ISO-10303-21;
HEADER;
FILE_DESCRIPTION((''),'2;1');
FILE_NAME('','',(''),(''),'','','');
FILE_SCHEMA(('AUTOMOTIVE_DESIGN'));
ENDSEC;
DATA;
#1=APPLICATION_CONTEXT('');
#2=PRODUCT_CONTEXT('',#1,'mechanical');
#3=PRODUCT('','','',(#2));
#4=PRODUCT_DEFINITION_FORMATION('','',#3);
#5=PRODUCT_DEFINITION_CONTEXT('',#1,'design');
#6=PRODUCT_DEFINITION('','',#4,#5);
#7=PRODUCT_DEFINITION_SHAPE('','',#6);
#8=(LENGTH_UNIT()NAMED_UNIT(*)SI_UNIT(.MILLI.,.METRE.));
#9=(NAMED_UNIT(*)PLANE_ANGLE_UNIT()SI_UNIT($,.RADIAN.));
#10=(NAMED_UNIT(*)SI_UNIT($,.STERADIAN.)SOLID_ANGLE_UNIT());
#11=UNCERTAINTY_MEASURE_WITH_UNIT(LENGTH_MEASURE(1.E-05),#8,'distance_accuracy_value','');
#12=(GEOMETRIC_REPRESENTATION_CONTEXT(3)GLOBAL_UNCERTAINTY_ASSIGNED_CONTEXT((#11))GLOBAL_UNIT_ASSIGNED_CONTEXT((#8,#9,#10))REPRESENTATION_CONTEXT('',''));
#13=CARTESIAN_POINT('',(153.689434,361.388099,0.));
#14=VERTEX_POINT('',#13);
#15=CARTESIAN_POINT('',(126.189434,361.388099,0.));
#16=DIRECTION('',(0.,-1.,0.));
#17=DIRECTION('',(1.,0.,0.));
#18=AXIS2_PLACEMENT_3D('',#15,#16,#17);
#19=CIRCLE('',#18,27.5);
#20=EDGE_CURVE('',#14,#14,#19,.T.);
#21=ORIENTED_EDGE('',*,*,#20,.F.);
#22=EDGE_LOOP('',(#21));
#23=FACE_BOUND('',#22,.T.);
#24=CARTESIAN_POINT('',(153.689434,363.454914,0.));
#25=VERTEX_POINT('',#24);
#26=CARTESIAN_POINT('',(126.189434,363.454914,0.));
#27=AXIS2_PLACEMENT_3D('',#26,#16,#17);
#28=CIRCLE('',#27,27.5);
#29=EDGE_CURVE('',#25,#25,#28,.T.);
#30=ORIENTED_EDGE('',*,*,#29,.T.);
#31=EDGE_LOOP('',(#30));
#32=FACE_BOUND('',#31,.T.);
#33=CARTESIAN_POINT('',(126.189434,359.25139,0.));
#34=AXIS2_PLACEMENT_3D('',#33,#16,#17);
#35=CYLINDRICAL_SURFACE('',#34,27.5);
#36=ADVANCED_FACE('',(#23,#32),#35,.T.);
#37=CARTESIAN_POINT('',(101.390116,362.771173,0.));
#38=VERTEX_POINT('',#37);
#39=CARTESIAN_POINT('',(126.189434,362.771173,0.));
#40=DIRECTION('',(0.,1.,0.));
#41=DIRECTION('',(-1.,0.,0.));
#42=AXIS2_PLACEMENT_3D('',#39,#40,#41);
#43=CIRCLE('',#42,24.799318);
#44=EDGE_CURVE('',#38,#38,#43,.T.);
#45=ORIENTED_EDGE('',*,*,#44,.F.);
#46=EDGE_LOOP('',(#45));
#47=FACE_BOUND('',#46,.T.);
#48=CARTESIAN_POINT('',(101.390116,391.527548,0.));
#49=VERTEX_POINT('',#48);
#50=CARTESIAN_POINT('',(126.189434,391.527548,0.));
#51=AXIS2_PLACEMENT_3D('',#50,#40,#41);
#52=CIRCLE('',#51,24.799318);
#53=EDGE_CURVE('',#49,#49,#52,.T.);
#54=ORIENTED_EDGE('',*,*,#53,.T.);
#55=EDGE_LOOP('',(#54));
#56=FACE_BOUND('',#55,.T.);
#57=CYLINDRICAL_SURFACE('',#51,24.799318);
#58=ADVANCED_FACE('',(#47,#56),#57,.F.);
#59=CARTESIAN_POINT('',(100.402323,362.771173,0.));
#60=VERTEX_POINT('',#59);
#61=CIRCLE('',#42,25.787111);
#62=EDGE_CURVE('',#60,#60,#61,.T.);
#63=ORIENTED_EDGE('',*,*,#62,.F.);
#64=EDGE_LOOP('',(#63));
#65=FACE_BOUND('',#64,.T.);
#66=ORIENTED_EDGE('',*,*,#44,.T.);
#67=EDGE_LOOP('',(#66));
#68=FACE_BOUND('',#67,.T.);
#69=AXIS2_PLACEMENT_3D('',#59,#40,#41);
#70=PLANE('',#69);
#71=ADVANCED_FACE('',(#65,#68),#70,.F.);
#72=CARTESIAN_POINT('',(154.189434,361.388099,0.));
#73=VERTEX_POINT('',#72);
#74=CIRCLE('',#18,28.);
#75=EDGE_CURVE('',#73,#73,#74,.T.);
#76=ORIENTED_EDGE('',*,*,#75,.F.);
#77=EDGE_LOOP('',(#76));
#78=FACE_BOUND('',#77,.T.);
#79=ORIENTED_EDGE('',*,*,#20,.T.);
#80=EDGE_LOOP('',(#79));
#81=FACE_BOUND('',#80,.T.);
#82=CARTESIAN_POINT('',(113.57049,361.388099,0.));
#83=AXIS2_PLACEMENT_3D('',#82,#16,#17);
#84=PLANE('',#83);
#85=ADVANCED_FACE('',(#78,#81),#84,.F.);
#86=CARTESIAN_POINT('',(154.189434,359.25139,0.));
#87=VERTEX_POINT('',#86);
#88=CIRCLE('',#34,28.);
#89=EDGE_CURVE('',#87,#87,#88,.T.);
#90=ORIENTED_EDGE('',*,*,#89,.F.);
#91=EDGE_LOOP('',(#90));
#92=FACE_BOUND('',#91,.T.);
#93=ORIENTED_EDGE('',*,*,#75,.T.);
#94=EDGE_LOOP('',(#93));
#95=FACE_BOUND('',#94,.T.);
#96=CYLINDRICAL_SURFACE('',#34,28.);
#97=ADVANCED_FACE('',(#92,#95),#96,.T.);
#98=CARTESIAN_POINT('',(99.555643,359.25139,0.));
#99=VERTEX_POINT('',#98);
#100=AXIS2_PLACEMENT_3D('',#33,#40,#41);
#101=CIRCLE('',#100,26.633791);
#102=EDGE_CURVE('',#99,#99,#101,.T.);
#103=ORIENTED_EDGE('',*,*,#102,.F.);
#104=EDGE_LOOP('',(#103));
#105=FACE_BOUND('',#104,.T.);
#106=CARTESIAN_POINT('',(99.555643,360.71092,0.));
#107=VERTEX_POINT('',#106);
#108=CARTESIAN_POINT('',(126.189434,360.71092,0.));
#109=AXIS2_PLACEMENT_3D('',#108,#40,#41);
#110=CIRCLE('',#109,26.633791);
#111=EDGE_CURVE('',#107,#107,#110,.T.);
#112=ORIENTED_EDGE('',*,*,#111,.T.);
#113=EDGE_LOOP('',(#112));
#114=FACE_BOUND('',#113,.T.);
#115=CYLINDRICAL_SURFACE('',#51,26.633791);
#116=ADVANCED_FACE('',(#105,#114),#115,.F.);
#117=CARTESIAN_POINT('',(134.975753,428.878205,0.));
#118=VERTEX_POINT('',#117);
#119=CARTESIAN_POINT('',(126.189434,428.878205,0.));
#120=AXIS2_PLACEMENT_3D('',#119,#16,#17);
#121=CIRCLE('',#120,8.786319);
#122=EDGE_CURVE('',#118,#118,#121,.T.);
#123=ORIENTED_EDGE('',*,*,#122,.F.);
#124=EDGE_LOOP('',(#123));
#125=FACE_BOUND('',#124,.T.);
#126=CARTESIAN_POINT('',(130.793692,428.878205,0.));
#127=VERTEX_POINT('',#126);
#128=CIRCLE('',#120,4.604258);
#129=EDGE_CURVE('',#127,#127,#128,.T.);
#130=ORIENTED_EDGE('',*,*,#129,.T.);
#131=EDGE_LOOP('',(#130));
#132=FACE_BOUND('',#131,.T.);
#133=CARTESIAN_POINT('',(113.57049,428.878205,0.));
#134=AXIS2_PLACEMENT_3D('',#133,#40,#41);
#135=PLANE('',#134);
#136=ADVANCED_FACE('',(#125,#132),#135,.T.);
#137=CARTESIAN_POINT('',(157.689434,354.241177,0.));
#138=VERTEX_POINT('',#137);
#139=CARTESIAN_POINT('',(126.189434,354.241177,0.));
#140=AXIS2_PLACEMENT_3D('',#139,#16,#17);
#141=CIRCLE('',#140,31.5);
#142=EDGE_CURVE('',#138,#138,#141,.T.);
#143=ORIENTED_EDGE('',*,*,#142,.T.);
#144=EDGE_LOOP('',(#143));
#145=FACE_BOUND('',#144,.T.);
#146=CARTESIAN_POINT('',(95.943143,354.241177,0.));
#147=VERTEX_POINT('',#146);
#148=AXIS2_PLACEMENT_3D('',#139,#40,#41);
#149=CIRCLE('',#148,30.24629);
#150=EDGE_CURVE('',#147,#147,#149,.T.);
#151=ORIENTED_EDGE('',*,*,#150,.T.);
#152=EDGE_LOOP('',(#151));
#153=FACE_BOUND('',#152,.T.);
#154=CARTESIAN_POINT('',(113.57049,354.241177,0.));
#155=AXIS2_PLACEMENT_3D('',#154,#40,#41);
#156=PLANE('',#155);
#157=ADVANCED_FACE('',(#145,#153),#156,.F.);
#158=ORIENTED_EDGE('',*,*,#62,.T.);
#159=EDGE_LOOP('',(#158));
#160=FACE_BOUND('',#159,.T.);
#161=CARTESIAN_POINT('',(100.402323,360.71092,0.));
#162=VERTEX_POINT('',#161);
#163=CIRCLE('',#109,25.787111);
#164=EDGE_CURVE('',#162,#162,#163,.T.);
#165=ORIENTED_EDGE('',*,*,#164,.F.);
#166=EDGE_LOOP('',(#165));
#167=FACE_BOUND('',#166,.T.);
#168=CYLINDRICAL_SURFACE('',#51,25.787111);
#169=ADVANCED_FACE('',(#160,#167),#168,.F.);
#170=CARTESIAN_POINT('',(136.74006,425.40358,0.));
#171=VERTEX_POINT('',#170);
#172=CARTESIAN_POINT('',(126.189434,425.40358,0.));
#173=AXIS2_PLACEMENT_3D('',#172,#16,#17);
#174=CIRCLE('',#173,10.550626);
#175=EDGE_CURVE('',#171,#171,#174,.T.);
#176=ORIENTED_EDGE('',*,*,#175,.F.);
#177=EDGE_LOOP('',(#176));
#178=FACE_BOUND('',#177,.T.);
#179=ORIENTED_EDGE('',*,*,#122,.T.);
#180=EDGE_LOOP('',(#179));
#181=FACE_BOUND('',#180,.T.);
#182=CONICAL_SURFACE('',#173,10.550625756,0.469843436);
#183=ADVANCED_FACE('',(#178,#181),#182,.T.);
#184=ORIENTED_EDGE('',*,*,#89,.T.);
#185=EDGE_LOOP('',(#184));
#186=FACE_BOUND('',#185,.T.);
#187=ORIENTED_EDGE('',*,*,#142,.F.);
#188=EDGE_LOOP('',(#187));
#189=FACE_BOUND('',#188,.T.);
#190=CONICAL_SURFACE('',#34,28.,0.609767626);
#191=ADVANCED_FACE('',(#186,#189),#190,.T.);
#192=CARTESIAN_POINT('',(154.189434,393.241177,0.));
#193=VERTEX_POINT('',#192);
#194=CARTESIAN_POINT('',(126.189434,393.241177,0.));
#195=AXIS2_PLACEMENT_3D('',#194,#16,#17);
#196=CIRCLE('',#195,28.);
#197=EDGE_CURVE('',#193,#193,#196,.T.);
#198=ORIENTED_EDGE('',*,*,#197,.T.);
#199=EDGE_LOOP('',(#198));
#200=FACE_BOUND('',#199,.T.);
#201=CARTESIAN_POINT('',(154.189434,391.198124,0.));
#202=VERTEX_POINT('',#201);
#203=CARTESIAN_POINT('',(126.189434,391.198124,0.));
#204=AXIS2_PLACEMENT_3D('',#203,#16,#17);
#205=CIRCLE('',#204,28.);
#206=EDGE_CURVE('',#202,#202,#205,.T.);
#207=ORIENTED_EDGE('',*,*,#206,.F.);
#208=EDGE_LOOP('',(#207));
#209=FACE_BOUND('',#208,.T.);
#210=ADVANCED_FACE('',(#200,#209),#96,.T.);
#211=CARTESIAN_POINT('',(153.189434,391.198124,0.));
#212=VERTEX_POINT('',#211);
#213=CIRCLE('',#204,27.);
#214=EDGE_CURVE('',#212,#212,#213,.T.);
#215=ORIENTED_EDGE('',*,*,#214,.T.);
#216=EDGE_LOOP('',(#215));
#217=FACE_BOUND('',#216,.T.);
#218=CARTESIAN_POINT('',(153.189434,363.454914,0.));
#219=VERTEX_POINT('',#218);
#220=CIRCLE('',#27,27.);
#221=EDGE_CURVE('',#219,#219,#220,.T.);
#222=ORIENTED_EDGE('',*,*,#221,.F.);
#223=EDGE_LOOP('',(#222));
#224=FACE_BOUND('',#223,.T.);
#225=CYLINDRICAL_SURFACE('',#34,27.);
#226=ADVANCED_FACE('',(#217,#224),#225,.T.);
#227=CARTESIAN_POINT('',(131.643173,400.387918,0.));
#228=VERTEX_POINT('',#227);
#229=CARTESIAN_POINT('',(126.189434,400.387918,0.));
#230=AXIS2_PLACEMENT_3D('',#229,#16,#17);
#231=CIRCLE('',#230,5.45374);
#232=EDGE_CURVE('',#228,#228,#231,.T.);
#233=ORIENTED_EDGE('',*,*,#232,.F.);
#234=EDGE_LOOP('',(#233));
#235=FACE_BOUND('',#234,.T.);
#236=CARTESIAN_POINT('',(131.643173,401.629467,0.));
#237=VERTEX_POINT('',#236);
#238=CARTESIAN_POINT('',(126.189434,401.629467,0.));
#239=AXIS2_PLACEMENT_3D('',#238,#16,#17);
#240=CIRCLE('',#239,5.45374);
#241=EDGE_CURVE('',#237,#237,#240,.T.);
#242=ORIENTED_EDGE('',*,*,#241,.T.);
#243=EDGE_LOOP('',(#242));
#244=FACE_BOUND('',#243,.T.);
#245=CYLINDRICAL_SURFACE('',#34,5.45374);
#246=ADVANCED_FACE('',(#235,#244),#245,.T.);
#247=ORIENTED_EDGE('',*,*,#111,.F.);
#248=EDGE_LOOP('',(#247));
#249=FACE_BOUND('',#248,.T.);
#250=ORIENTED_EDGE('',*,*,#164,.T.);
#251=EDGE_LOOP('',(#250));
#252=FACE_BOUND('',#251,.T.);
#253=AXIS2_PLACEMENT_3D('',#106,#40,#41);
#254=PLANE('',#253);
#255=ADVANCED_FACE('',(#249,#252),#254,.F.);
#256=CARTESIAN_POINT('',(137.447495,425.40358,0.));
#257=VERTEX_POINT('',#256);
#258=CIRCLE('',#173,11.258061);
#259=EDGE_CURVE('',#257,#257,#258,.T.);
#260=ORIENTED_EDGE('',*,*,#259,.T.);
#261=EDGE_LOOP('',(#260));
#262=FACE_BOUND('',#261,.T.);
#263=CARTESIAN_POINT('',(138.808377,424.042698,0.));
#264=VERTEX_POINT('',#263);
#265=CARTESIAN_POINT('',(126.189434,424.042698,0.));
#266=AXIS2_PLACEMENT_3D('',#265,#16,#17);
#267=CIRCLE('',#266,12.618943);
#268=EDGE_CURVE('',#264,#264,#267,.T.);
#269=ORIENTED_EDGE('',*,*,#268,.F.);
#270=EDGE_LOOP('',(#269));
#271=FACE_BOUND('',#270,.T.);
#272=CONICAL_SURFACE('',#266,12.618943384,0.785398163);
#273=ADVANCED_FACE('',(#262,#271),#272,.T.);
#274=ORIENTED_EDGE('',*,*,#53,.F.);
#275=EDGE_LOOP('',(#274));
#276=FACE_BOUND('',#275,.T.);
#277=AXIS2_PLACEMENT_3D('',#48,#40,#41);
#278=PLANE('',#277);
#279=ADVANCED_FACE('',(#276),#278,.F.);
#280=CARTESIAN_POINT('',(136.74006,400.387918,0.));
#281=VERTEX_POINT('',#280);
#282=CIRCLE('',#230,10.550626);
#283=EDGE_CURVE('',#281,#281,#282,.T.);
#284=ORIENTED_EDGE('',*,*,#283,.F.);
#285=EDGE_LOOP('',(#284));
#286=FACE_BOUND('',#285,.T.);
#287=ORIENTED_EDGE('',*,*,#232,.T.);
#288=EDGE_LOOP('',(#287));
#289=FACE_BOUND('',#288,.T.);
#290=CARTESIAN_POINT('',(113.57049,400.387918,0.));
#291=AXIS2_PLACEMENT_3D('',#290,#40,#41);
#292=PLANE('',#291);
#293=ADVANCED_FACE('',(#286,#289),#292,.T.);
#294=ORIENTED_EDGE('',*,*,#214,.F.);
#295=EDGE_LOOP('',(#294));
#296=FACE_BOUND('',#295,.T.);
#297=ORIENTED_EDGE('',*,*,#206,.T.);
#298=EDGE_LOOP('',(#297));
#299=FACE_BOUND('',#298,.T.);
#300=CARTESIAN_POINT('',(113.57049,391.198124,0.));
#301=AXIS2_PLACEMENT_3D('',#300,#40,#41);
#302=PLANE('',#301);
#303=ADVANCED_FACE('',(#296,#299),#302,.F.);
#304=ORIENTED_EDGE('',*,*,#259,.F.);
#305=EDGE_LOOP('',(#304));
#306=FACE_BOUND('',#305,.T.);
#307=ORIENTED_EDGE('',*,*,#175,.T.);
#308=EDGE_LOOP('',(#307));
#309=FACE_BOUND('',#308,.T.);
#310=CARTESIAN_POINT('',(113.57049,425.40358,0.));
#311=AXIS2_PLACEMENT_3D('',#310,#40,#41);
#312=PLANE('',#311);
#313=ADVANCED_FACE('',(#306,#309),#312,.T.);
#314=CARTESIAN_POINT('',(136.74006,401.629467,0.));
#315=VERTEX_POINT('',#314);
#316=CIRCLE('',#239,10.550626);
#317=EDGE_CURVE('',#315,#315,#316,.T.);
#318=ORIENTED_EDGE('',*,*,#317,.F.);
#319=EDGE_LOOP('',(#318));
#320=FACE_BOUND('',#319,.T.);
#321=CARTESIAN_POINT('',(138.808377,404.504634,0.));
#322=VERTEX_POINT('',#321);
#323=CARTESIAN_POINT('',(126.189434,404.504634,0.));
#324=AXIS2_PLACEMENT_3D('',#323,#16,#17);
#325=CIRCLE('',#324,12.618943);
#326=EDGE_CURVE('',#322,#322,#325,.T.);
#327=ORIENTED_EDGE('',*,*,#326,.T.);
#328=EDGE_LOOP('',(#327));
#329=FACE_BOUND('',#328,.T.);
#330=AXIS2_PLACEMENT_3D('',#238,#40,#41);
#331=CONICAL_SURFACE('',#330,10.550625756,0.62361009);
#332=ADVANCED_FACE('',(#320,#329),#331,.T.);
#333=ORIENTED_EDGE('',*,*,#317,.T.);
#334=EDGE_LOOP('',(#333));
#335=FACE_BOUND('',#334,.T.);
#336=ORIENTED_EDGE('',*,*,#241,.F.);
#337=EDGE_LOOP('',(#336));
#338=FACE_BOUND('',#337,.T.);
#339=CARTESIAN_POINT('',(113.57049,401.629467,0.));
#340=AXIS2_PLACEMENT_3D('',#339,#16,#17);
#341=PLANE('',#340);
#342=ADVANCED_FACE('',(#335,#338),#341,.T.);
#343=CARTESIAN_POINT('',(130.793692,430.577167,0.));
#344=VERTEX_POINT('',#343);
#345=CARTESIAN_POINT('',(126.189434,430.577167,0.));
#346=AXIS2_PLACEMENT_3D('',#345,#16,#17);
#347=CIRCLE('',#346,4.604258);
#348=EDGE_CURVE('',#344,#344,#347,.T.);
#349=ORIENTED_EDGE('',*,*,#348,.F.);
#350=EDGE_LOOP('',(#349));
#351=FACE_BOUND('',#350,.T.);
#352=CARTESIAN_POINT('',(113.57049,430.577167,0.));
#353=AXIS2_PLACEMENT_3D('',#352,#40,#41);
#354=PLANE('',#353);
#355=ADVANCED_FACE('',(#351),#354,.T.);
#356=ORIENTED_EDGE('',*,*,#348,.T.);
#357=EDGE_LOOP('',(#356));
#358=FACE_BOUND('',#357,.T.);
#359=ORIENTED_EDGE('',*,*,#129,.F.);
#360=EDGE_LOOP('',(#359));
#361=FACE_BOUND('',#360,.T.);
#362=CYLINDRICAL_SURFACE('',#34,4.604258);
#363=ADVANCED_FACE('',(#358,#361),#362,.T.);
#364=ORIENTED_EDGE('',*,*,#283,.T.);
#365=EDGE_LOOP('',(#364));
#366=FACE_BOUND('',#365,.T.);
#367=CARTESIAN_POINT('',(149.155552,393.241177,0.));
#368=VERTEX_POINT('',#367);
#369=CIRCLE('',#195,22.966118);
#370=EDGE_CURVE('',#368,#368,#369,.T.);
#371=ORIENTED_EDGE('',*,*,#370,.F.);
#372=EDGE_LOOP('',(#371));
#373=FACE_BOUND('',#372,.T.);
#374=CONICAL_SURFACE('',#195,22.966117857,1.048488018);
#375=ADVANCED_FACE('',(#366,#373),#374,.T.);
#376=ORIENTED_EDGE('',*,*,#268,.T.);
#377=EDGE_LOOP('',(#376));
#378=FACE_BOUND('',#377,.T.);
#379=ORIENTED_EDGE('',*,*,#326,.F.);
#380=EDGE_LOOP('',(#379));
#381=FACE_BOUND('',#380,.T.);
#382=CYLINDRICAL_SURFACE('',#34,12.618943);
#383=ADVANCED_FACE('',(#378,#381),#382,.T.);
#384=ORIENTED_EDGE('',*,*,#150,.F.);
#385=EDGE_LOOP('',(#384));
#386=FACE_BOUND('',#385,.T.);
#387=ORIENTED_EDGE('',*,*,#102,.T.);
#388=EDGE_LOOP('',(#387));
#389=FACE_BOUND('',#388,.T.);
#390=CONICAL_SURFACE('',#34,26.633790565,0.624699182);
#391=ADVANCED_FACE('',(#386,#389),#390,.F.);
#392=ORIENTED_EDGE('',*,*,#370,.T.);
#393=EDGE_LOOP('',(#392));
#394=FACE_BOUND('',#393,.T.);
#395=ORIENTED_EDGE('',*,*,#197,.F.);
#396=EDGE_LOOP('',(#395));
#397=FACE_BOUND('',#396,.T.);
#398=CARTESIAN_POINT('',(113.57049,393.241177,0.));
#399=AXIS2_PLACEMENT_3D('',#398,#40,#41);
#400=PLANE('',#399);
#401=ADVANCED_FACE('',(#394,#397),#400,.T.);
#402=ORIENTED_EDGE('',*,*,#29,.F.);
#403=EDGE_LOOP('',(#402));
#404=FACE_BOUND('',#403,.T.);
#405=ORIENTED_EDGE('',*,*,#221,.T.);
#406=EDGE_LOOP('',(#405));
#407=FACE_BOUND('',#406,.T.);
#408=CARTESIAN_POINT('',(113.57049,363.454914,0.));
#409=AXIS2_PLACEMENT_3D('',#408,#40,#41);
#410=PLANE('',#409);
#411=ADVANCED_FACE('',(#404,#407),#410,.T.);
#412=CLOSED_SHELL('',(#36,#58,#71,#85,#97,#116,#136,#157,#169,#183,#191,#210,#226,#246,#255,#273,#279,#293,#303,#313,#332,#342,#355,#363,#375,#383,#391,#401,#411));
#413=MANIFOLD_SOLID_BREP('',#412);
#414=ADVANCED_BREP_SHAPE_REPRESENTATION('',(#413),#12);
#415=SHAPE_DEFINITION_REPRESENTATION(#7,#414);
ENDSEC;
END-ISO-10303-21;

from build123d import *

# Parameters (mm, degrees)
SCALE_1_SCALE = 0.1


with BuildPart() as part:
    # 草图1 one side → 旋转6 (revolve)
    with BuildSketch(Plane.XY, mode=Mode.PRIVATE) as revolve_6_sk:
        Polygon((-188.810566164, -8.557887153), (126.189433836, -8.557887153), (126.189433836, 754.802017268), (80.146848974, 754.802017268), (80.146848974, 737.812396498), (38.326244001, 737.812396498), (20.683176277, 703.0661449), (13.608822902, 703.0661449), (0, 689.457321998), (0, 494.076683139), (20.683176277, 465.32501722), (71.652038589, 465.32501722), (71.652038589, 452.909525118), (20.683176277, 452.909525118), (-103.471744737, 381.442112847), (-153.810566164, 381.442112847), (-153.810566164, 361.011582025), (-143.810566164, 361.011582025), (-143.810566164, 83.57948853), (-148.810566164, 83.57948853), (-148.810566164, 62.91133749), (-153.810566164, 62.91133749), (-153.810566164, 41.54424733), align=None)
    revolve(revolve_6_sk.sketch.rotate(Axis((126.189433836, 41.54424733, 0), (0, 1, 0)), 180), axis=Axis((126.189433836, 41.54424733, 0), (0, 1, 0)))

    # 草图2 → 切除-旋转1 (revolve, cut)
    with BuildSketch(Plane.XY):
        Polygon((-176.273470249, -8.557887153), (-140.148471815, 41.54424733), (-140.148471815, 56.139540799), (-131.681675308, 56.139540799), (-131.681675308, 76.742078968), (-121.803746049, 76.742078968), (-121.803746049, 364.305826939), (126.189433836, 364.305826939), (126.189433836, -8.557887153), align=None)
    revolve(axis=Axis((126.189433836, 364.305826939, 0), (0, -1, 0)), mode=Mode.SUBTRACT)


with BuildPart() as part_1:
    # 缩放比例1: scaled about (126.189433836, 394.552183872, 0)
    add(part.part.scale(SCALE_1_SCALE).moved(Location((113.570490452, 355.096965485, 0))))


solid = part_1.part
